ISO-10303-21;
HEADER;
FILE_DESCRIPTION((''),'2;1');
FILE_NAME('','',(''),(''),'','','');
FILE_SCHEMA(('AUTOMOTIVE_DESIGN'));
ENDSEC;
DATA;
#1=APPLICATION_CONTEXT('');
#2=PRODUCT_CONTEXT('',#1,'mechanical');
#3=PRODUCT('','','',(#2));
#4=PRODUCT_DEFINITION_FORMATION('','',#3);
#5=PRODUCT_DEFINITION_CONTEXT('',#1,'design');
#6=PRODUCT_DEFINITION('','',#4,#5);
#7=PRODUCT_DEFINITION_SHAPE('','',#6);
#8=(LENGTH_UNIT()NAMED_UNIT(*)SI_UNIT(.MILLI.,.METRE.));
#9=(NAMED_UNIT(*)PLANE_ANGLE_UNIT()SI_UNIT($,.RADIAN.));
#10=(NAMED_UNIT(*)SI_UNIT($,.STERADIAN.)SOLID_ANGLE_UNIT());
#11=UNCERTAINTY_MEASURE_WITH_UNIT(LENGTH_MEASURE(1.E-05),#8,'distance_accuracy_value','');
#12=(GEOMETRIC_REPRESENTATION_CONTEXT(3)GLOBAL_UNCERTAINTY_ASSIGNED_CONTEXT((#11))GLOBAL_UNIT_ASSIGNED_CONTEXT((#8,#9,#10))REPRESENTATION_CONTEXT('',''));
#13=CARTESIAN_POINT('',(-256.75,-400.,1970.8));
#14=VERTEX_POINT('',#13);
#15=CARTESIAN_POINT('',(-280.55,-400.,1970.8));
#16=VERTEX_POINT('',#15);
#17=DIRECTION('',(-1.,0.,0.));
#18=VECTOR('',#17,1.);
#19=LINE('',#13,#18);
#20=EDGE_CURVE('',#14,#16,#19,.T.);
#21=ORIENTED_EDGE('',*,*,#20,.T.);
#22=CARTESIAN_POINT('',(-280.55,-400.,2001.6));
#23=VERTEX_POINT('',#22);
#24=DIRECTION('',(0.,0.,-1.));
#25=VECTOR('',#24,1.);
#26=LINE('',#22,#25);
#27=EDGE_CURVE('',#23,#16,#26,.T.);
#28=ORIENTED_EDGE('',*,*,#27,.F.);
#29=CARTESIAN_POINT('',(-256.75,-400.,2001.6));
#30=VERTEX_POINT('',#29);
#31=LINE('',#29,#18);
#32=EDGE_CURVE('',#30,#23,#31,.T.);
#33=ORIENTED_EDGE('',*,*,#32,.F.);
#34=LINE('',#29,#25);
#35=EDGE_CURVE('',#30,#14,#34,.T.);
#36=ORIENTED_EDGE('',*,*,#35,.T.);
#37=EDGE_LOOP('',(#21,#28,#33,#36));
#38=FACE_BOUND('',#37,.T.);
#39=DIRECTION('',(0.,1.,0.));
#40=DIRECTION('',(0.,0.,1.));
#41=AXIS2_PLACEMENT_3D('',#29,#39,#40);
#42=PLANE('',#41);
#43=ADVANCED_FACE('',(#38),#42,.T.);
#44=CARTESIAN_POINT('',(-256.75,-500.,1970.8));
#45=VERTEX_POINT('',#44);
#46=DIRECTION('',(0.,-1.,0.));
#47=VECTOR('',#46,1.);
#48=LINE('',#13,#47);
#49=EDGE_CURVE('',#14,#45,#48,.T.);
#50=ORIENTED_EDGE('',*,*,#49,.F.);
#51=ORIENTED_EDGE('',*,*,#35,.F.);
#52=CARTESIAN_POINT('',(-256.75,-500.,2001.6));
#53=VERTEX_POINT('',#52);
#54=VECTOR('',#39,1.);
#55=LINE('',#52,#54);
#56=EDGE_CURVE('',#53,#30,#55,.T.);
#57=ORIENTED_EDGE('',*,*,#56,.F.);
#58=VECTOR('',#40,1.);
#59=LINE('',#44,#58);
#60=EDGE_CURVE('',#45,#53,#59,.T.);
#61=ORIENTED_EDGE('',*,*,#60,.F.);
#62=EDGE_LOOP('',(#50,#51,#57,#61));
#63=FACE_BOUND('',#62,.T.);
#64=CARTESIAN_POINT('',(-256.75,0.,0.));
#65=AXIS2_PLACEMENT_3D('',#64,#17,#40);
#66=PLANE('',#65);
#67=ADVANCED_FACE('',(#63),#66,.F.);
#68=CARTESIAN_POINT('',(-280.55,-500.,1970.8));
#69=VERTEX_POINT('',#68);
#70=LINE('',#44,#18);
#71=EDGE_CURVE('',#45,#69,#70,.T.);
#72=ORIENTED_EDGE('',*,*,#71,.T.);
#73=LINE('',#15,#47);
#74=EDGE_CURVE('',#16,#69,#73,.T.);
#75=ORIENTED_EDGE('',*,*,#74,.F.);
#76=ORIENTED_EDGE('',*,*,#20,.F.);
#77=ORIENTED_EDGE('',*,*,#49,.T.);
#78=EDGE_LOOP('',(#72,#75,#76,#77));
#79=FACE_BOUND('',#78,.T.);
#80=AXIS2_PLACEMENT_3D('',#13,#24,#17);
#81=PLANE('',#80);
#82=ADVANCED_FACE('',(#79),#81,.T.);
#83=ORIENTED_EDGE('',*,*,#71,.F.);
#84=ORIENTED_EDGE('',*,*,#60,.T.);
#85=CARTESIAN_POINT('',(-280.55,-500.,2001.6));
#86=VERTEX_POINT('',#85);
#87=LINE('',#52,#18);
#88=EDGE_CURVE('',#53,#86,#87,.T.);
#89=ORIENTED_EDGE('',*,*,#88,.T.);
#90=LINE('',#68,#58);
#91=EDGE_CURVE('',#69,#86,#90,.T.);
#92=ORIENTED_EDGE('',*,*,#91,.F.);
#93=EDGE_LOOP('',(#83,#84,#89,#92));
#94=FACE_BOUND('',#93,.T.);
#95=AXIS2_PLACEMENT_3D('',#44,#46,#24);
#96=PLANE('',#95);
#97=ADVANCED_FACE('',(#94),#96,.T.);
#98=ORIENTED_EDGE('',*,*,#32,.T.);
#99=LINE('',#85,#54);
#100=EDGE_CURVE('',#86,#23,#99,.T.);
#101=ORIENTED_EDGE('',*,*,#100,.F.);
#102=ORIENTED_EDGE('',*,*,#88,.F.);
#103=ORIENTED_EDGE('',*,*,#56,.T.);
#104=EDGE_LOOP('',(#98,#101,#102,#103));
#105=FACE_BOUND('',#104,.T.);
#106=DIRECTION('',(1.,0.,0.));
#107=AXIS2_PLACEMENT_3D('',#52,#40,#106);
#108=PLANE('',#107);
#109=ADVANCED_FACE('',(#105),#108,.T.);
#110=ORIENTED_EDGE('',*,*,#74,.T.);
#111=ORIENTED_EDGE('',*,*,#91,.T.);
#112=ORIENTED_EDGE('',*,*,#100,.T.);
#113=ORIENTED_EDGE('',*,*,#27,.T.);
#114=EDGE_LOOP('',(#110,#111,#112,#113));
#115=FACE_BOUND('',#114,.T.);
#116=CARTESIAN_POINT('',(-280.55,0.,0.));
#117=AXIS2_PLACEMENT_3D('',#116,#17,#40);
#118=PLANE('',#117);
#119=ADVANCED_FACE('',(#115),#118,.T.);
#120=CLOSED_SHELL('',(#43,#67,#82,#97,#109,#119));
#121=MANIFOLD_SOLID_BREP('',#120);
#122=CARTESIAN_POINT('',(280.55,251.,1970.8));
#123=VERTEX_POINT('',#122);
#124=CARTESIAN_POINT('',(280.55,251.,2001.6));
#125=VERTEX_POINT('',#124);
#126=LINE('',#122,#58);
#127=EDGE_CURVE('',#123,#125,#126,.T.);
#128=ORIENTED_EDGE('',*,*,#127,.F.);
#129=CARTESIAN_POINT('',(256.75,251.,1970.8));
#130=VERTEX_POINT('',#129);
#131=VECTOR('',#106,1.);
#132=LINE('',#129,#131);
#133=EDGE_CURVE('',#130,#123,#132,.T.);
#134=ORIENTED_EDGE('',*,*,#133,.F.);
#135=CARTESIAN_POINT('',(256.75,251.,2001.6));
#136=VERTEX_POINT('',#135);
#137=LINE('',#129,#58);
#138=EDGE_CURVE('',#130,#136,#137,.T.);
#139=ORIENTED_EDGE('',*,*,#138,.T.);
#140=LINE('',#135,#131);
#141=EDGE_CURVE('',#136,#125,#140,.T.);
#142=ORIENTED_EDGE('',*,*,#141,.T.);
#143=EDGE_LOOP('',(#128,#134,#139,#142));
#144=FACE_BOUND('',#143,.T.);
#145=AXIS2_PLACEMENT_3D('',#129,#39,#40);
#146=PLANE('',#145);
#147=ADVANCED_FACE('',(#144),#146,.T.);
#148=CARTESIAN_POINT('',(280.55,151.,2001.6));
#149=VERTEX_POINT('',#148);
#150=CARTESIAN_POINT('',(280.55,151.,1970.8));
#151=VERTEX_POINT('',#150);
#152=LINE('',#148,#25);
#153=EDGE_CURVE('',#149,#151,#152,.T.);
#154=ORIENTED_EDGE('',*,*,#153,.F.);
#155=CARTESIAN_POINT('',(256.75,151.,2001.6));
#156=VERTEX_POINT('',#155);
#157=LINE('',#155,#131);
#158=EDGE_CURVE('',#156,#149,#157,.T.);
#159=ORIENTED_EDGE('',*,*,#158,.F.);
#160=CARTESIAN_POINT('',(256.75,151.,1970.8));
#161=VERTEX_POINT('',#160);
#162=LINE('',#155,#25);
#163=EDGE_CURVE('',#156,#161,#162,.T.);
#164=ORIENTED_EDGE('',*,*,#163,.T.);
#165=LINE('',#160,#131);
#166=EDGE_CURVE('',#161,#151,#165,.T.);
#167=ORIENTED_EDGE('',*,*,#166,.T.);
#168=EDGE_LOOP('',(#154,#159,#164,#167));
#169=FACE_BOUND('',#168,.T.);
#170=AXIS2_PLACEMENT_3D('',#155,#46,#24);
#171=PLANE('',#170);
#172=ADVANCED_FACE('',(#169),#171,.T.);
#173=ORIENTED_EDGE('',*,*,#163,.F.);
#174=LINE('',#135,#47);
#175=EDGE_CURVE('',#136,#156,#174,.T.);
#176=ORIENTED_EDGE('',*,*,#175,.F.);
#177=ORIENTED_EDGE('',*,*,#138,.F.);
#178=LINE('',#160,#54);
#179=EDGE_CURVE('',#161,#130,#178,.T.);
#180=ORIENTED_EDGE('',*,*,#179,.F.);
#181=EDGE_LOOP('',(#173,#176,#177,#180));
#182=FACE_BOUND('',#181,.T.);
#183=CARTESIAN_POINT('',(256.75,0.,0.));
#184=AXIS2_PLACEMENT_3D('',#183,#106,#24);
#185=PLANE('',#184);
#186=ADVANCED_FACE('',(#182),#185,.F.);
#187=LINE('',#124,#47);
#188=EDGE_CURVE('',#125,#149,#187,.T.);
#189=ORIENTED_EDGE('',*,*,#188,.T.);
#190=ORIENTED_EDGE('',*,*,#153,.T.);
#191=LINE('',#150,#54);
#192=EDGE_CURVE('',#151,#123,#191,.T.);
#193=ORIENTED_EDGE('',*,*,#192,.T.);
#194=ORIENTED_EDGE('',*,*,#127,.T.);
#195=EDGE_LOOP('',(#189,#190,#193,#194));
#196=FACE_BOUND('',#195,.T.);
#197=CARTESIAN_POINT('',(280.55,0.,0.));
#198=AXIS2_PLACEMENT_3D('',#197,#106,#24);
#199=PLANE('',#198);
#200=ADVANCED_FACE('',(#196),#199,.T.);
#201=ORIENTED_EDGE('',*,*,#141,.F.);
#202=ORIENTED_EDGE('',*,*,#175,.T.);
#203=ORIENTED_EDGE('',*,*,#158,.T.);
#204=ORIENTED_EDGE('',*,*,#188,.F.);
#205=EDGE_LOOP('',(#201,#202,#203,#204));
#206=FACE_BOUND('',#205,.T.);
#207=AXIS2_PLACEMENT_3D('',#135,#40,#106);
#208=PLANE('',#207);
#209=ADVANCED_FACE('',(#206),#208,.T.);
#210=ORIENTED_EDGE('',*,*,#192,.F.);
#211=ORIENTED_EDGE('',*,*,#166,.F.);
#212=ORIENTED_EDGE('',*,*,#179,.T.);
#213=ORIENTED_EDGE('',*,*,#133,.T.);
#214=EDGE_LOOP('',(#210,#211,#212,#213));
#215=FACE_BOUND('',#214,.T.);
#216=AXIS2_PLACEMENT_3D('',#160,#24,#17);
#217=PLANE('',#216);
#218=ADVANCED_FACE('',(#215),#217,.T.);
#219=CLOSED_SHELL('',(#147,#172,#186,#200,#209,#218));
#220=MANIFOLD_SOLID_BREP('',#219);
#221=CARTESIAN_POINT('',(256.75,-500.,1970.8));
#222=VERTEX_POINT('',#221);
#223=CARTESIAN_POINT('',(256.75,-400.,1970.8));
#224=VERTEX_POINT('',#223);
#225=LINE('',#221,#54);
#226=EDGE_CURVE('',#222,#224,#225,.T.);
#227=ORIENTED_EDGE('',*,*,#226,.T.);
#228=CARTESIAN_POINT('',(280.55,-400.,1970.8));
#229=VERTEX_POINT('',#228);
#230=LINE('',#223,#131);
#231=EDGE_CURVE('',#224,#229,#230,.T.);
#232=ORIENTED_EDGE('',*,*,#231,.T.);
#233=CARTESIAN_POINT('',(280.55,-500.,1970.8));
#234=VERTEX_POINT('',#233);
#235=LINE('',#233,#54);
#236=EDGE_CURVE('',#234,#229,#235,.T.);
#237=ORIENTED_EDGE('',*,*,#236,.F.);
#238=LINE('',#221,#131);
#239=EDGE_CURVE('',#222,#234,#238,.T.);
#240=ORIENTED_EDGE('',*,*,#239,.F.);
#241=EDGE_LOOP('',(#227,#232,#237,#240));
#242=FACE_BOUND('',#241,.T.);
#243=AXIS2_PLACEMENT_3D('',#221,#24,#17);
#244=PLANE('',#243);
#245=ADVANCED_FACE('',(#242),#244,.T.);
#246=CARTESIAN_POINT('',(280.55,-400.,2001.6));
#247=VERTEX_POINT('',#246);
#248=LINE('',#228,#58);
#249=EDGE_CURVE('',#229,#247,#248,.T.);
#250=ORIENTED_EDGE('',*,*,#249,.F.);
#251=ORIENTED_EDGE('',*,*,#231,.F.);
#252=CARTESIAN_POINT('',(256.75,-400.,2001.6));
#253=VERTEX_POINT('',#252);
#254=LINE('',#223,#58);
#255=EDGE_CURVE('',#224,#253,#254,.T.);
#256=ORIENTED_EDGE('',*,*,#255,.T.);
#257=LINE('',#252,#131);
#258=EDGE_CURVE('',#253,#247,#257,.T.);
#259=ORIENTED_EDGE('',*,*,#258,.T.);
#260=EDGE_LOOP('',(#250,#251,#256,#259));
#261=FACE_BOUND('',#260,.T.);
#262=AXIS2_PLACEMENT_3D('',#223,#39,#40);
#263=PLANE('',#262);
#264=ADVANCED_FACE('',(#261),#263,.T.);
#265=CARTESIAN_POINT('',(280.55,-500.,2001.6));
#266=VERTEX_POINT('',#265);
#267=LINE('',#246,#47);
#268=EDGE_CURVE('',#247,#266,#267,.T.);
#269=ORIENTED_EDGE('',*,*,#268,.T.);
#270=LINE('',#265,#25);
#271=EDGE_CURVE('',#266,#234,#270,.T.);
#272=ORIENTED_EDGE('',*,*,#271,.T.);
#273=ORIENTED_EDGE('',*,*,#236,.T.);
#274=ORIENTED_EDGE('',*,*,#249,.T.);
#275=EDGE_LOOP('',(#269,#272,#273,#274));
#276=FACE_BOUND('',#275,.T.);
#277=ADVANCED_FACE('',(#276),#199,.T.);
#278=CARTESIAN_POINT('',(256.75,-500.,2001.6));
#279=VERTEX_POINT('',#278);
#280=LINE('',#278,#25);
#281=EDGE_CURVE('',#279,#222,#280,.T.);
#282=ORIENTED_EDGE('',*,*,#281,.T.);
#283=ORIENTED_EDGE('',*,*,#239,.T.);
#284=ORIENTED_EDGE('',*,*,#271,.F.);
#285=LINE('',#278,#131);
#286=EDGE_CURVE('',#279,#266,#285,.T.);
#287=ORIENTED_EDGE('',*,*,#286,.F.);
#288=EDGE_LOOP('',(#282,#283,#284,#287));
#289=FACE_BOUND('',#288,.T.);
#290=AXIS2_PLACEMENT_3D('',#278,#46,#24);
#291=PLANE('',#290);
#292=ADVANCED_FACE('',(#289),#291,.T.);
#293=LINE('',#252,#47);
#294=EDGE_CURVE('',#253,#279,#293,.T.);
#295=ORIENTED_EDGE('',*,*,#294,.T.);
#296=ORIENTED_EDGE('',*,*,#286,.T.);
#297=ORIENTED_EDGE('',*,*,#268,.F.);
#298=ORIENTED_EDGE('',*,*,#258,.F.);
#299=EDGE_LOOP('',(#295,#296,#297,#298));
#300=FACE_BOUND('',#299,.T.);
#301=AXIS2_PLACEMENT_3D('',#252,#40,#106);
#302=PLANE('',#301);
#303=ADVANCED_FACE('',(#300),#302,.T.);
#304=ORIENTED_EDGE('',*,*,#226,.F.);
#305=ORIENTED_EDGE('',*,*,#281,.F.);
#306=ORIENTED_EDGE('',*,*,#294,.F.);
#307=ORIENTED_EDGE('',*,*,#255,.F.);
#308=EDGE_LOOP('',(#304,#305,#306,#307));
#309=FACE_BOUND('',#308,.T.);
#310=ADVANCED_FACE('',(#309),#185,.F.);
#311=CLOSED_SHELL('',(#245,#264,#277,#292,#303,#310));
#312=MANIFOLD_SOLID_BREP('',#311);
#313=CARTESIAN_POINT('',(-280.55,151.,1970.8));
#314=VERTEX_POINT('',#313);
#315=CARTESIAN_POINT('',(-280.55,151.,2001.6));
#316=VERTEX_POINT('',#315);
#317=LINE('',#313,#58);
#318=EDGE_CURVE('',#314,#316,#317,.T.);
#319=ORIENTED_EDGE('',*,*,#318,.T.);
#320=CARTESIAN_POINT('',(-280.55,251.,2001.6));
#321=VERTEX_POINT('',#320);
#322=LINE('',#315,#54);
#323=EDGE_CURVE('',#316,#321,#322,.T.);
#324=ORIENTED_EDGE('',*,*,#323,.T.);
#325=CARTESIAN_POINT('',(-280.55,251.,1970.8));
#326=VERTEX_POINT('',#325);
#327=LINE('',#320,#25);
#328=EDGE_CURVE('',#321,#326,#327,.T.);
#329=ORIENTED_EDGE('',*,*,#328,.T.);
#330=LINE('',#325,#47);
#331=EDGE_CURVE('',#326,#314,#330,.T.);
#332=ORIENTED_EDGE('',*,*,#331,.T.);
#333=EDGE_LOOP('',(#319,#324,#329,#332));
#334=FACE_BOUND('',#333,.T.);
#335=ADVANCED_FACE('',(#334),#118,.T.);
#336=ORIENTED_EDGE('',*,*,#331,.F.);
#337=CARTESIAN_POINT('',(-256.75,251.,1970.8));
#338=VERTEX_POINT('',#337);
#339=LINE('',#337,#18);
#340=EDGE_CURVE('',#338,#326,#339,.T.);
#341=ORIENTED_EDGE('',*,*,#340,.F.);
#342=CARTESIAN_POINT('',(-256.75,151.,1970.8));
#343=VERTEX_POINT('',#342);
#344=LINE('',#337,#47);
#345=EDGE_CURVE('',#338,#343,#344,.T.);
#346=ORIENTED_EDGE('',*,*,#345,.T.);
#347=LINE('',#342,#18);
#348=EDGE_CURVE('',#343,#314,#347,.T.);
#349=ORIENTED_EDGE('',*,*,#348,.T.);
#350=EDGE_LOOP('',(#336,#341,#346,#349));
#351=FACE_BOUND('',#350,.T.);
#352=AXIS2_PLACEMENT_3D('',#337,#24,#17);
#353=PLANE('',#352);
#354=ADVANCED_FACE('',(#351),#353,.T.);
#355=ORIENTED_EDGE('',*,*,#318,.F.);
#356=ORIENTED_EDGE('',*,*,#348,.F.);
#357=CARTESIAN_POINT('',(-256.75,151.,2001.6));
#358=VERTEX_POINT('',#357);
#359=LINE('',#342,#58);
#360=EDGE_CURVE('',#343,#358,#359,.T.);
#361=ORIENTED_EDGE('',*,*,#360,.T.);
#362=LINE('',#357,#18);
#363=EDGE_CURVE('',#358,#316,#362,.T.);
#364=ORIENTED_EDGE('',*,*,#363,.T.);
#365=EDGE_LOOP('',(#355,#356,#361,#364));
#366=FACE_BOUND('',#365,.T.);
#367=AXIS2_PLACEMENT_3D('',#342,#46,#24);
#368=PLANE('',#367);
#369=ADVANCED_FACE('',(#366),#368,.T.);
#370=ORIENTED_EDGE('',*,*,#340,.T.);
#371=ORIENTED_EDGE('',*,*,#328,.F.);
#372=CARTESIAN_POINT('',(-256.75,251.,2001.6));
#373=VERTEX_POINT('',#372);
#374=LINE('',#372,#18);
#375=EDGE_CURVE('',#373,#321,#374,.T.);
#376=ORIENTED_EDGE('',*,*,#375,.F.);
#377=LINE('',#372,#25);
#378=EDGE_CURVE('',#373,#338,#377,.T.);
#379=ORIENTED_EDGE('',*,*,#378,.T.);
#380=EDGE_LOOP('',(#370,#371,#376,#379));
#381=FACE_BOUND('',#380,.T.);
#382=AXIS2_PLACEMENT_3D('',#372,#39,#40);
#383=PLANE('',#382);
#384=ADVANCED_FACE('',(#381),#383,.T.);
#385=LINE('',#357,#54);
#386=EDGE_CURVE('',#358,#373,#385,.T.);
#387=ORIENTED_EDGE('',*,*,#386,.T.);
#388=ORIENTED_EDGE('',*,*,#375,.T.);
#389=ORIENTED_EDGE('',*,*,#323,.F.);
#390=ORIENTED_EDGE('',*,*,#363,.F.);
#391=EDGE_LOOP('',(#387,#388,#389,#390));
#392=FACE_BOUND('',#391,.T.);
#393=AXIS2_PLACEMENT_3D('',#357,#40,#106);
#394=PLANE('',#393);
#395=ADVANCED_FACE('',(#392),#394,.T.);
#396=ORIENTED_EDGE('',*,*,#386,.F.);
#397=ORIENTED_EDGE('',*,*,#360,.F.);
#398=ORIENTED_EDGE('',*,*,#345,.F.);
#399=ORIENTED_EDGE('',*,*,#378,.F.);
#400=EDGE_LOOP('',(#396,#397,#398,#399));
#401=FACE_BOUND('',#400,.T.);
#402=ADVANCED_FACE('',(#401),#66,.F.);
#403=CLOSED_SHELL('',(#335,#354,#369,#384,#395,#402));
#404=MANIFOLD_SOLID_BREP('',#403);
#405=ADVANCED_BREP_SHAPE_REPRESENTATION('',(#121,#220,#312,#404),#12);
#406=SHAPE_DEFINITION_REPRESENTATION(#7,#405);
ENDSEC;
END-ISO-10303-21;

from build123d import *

# Parameters (mm, degrees)
SKETCH5_W           = 30.8
SKETCH5_H           = 100
BOSS_EXTRUDE2_DEPTH = 23.8
SKETCH10_W          = 30.8
SKETCH10_H          = 100
BOSS_EXTRUDE3_DEPTH = 23.8
SKETCH15_W          = 30.8
SKETCH15_H          = 100
BOSS_EXTRUDE4_DEPTH = 23.8
SKETCH21_W          = 30.8
SKETCH21_H          = 100
BOSS_EXTRUDE5_DEPTH = 23.8


with BuildPart() as part:
    # Sketch5 → Boss-Extrude2 (new body)
    with BuildSketch(Plane(origin=(280.55, 0, 0), x_dir=(0, 0, -1), z_dir=(1, 0, 0))):
        with Locations((-1986.2, -450)):
            Rectangle(SKETCH5_W, SKETCH5_H)
    extrude(amount=-BOSS_EXTRUDE2_DEPTH)


with BuildPart() as body_2:
    # Sketch10 → Boss-Extrude3 (new body)
    with BuildSketch(Plane(origin=(280.55, 0, 0), x_dir=(0, 0, -1), z_dir=(1, 0, 0))):
        with Locations((-1986.2, 201)):
            Rectangle(SKETCH10_W, SKETCH10_H)
    extrude(amount=-BOSS_EXTRUDE3_DEPTH)


with BuildPart() as body_3:
    # Sketch15 → Boss-Extrude4 (new body)
    with BuildSketch(Plane.ZY.offset(280.55)):
        with Locations((1986.2, -450)):
            Rectangle(SKETCH15_W, SKETCH15_H)
    extrude(amount=-BOSS_EXTRUDE4_DEPTH)


with BuildPart() as body_4:
    # Sketch21 → Boss-Extrude5 (new body)
    with BuildSketch(Plane.ZY.offset(280.55)):
        with Locations((1986.2, 201)):
            Rectangle(SKETCH21_W, SKETCH21_H)
    extrude(amount=-BOSS_EXTRUDE5_DEPTH)


solid = Compound([part.part, body_2.part, body_3.part, body_4.part])
